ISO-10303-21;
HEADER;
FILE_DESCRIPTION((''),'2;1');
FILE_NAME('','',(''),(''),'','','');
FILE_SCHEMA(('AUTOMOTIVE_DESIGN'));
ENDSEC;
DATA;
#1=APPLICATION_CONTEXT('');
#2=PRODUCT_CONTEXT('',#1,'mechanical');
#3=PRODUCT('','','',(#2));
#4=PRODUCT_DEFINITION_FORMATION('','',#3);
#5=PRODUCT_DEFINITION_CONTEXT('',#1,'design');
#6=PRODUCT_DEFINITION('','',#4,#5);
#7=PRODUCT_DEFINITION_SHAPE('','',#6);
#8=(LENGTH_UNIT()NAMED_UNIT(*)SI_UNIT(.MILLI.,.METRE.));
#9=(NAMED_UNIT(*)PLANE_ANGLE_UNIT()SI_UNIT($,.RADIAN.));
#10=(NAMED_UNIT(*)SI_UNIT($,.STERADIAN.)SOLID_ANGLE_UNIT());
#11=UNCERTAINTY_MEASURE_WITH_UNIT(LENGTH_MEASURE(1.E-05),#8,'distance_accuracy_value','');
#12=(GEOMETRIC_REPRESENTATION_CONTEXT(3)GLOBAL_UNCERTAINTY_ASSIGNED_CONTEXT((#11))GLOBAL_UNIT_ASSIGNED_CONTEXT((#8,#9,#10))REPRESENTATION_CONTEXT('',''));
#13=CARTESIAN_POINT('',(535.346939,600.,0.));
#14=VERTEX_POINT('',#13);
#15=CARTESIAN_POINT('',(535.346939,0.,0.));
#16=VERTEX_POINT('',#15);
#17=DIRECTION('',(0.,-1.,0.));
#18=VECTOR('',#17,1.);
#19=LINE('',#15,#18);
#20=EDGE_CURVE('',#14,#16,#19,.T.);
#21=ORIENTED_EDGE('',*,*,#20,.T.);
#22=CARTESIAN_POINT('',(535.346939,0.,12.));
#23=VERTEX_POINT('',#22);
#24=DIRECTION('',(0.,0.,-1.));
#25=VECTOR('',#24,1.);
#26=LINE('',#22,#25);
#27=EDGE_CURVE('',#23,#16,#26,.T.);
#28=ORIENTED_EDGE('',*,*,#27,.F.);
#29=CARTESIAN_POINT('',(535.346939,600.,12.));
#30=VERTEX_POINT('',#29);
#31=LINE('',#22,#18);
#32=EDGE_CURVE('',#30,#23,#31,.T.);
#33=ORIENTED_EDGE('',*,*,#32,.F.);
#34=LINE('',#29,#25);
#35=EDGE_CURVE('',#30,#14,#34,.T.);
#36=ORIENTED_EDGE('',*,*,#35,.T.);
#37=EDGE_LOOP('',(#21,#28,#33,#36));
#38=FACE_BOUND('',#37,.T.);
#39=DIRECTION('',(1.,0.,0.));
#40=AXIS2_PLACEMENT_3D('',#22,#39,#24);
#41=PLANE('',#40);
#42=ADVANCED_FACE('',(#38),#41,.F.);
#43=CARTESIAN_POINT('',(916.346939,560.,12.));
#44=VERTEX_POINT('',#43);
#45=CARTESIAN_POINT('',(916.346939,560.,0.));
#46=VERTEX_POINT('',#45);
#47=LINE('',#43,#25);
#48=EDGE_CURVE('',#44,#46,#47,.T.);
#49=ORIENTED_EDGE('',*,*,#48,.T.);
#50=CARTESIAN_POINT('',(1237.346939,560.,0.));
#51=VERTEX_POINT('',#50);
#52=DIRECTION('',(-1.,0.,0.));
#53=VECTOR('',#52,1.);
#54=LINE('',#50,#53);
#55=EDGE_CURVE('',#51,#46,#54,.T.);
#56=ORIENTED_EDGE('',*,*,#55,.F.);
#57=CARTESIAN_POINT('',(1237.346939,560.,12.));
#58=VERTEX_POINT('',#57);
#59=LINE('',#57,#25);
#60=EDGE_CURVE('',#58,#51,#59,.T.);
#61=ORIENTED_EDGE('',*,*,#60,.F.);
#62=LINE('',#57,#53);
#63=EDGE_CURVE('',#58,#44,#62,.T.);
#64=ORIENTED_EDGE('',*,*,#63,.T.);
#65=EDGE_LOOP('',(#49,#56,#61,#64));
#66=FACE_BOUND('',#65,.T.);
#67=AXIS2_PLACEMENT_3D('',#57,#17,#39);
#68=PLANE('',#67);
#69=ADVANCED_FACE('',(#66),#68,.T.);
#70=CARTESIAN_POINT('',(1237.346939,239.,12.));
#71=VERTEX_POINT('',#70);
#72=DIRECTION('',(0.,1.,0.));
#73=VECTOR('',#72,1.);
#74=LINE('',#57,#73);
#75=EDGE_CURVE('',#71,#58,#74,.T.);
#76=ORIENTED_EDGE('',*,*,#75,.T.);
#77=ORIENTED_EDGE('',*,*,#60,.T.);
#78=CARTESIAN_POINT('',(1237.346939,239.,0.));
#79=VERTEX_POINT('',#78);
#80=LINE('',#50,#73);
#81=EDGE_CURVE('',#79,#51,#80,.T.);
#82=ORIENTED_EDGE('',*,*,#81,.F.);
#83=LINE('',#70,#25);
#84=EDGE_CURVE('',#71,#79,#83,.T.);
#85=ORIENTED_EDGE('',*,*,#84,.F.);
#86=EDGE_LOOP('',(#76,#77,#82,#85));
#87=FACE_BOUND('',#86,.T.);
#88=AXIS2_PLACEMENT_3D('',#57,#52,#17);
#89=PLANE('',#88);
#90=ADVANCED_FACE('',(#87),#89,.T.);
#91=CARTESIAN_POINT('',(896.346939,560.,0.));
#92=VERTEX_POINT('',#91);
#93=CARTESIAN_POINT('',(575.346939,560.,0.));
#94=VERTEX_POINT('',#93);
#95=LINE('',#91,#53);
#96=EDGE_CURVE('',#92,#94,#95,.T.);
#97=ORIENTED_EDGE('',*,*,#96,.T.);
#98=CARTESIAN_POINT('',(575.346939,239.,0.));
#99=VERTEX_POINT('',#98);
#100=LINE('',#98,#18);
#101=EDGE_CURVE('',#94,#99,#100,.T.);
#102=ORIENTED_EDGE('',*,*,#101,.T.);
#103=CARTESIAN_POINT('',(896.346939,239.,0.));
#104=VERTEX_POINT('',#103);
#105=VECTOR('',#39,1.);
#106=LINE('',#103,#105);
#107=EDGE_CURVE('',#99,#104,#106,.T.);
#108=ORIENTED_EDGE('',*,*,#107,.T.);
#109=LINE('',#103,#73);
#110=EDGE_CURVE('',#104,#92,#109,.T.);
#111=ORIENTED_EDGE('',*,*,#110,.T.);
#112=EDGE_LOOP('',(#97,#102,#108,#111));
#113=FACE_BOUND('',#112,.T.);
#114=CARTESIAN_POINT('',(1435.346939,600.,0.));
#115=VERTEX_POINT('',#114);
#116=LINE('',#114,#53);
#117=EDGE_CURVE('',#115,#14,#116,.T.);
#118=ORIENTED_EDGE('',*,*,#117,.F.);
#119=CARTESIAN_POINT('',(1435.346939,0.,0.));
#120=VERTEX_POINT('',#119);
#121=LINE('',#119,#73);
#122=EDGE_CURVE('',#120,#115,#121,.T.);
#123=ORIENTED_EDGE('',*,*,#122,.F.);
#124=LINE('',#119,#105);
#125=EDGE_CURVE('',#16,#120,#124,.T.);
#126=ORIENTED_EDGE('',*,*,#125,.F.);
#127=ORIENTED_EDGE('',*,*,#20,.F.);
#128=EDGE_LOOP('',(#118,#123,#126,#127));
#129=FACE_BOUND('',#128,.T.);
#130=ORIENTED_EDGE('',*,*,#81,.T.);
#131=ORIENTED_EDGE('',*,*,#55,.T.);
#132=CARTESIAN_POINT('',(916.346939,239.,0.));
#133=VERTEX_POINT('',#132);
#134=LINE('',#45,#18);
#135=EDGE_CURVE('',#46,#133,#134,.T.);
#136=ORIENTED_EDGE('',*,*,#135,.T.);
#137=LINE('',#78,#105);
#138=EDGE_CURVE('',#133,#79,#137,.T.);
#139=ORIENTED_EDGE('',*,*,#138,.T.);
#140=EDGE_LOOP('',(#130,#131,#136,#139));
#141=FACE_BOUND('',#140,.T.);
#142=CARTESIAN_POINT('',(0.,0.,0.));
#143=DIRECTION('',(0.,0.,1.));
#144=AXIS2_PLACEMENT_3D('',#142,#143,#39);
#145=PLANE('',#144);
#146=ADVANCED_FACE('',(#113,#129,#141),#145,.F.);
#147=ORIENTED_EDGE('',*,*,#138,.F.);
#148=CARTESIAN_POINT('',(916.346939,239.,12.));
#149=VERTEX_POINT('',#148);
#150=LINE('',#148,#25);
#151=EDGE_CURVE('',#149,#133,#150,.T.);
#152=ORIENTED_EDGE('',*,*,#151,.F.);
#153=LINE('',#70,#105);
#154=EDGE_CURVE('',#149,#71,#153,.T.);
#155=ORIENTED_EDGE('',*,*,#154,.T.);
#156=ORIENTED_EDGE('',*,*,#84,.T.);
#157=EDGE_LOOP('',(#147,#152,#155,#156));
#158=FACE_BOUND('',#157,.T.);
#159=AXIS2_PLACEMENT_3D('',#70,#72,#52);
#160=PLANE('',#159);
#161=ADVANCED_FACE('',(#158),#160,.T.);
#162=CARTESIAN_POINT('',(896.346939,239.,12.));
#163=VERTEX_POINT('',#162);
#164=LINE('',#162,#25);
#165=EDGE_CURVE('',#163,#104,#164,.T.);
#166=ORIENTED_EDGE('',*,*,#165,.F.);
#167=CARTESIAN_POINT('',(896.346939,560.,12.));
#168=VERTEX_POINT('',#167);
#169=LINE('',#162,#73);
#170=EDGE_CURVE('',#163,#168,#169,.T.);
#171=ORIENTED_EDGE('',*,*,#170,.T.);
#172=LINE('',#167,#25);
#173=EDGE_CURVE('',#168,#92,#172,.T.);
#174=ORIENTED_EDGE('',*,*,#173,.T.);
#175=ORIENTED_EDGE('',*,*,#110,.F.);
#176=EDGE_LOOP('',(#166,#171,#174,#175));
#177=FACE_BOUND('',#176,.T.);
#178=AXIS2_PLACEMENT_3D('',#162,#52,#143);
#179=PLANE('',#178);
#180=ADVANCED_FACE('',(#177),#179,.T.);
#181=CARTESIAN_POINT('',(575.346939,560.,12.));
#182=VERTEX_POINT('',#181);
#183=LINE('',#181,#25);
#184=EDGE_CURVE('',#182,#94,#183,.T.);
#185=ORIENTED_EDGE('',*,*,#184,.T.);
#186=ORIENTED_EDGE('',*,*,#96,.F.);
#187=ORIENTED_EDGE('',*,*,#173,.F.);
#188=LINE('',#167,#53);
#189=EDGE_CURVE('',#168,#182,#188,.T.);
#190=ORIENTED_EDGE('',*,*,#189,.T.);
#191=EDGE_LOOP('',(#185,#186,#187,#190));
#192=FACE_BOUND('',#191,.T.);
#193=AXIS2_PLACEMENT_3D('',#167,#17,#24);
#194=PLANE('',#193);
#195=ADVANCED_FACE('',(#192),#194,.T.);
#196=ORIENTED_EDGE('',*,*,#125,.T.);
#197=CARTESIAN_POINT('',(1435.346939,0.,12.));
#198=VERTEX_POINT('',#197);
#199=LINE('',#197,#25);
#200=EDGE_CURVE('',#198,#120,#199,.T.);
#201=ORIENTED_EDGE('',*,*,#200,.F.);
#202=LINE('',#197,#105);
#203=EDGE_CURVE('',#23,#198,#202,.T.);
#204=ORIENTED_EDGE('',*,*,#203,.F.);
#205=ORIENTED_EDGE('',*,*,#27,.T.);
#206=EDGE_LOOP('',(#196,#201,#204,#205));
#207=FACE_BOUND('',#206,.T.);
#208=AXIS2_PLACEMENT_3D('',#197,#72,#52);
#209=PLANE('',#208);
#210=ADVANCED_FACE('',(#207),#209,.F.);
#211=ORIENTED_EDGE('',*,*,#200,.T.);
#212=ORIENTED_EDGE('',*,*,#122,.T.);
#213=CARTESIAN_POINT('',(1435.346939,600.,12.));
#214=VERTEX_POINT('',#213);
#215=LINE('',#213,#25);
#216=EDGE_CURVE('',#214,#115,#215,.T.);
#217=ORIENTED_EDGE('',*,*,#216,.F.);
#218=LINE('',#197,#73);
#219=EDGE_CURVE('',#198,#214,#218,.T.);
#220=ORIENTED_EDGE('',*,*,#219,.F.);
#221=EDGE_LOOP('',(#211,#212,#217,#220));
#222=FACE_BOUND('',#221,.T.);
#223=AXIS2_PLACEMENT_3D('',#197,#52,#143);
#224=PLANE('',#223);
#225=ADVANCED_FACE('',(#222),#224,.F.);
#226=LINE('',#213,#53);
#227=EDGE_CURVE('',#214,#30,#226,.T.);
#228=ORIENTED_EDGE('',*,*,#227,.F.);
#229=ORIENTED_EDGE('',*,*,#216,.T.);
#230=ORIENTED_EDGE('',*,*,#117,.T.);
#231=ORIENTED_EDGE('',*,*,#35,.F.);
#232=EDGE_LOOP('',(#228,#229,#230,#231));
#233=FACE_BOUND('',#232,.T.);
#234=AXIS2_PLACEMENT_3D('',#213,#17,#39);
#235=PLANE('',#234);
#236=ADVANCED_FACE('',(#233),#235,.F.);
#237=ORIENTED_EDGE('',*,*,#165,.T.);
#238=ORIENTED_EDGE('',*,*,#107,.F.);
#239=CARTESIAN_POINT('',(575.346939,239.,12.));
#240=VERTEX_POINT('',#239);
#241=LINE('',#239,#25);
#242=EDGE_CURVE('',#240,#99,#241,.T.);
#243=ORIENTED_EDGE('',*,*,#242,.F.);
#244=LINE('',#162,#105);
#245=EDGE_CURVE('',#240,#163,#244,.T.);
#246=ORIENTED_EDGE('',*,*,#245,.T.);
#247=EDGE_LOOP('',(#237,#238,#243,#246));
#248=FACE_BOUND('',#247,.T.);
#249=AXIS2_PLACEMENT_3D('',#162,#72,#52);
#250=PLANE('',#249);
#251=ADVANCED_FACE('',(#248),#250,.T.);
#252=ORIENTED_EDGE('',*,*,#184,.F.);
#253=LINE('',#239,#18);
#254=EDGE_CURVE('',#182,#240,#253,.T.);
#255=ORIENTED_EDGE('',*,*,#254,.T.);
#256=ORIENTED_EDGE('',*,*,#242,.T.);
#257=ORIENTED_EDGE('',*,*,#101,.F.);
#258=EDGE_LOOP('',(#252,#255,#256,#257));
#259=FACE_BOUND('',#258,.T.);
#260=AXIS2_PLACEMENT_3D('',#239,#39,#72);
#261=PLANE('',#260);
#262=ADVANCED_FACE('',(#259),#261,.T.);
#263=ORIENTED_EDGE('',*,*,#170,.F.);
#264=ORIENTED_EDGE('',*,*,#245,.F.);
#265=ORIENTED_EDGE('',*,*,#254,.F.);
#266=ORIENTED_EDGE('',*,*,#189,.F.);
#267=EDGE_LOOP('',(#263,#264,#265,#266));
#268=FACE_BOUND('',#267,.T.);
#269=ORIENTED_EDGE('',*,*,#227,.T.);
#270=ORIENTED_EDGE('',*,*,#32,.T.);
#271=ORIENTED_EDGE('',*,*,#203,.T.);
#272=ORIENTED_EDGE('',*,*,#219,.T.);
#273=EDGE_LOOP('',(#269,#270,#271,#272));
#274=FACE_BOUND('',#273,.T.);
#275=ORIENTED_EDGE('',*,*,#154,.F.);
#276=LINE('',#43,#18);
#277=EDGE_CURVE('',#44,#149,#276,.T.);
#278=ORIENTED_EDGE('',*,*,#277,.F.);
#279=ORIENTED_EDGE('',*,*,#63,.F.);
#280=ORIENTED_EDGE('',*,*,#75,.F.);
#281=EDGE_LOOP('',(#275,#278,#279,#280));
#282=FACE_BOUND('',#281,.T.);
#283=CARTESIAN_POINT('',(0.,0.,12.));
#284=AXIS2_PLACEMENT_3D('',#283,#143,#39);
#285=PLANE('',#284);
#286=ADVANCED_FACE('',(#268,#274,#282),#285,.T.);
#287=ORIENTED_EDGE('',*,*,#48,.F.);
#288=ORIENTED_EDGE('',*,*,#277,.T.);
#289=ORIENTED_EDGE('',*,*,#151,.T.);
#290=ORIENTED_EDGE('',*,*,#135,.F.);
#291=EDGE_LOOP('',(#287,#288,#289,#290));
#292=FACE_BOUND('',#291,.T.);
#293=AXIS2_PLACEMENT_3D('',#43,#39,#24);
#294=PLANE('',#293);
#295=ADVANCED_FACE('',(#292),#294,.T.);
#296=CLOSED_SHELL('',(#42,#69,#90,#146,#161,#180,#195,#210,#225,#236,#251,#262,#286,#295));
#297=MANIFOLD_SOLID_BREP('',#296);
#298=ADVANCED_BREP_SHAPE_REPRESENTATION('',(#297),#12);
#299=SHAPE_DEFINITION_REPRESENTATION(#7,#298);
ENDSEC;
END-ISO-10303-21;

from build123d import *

# Parameters (mm, degrees)
SKETCH1_W           = 900
SKETCH1_H           = 600
SKETCH1_W_2         = 321
SKETCH1_H_2         = 321
BOSS_EXTRUDE1_DEPTH = 12


with BuildPart() as part:
    # Sketch1 → Boss-Extrude1 (new body)
    with BuildSketch(Plane.XY):
        with Locations((985.346938776, 300)):
            Rectangle(SKETCH1_W, SKETCH1_H)
        with Locations((1076.846938776, 399.5)):
            Rectangle(SKETCH1_W_2, SKETCH1_H_2, mode=Mode.SUBTRACT)
        with Locations((735.846938776, 399.5)):
            Rectangle(SKETCH1_W_2, SKETCH1_H_2, mode=Mode.SUBTRACT)
    extrude(amount=BOSS_EXTRUDE1_DEPTH)


solid = part.part
